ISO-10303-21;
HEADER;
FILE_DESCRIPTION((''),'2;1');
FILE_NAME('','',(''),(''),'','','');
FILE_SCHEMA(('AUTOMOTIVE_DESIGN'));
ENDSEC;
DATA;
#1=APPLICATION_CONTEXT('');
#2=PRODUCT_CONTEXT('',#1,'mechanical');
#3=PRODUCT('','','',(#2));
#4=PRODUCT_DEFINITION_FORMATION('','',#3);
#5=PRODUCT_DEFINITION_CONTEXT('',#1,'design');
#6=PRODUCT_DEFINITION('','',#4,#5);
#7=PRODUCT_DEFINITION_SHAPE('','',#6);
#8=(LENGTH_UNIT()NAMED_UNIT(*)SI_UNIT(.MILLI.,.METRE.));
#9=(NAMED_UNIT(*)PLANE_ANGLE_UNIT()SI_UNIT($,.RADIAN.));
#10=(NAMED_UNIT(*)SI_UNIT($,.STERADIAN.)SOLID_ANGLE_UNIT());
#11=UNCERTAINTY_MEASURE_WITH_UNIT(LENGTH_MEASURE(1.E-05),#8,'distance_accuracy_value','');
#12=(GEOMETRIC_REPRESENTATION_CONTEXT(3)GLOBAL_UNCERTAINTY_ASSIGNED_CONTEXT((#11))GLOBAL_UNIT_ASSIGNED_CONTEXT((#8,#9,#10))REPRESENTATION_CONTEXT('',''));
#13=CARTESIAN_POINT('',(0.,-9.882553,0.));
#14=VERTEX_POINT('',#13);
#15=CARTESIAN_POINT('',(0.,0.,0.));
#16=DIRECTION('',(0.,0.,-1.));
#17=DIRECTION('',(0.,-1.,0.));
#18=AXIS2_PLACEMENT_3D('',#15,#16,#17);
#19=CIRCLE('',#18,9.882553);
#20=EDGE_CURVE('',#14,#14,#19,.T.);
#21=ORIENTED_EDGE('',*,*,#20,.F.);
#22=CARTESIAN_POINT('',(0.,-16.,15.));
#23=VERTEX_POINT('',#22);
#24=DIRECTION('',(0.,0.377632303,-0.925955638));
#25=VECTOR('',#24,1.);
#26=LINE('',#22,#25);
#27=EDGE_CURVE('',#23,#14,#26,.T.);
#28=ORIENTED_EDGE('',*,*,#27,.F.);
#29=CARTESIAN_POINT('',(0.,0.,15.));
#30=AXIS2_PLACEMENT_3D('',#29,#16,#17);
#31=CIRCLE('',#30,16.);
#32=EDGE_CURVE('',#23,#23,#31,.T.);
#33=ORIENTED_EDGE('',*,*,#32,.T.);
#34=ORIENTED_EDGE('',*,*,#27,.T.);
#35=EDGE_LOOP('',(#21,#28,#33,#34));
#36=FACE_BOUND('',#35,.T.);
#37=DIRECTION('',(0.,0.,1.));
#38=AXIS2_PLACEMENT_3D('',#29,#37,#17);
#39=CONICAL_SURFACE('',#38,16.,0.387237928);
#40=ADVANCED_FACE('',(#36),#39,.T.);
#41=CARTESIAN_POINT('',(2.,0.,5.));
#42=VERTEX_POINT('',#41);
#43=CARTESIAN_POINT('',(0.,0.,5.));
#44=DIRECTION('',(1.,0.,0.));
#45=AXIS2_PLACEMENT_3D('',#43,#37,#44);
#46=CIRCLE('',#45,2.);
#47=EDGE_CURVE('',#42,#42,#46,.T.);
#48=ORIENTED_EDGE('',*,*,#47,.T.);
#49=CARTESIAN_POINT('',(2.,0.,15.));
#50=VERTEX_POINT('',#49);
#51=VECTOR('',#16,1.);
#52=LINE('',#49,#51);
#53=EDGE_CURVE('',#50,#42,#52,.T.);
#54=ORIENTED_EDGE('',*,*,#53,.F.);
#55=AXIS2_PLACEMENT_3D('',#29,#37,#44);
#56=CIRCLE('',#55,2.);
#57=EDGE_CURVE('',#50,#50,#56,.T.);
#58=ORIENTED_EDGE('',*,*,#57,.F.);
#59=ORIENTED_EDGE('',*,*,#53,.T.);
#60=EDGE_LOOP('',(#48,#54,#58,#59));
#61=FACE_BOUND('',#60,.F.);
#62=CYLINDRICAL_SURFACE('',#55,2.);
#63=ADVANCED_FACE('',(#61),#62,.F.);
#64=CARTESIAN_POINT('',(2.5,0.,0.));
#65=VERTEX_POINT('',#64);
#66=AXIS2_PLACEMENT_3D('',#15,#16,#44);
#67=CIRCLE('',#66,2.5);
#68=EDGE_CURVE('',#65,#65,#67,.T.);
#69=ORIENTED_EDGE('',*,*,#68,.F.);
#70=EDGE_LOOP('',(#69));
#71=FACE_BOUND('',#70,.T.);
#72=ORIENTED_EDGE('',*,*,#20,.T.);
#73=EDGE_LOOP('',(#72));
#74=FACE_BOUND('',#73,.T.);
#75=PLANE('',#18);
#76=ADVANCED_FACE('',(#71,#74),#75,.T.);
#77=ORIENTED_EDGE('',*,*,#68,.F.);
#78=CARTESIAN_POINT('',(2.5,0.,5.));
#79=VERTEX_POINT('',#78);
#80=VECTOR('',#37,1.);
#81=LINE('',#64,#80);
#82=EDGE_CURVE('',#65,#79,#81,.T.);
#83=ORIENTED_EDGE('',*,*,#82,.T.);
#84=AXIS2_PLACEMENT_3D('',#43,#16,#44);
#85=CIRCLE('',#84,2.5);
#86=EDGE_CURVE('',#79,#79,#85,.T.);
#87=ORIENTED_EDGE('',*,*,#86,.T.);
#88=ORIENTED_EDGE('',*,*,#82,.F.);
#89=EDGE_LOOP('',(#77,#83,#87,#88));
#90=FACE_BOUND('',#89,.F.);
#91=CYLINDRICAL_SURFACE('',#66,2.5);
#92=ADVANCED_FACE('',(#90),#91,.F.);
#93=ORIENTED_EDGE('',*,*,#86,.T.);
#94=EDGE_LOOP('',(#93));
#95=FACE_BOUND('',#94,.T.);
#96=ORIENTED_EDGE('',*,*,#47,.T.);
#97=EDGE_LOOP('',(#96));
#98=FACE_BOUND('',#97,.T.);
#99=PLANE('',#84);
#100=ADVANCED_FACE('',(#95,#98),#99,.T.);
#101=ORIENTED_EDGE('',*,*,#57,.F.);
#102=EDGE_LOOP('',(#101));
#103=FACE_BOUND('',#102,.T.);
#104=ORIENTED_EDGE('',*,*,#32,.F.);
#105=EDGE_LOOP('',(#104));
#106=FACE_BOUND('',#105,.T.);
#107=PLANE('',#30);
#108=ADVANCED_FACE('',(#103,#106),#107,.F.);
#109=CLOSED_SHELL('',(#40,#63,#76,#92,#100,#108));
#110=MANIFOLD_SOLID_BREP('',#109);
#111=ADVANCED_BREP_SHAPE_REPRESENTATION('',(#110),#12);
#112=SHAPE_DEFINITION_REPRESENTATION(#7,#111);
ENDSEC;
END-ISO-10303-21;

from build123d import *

# Parameters (mm, degrees)
F2_R     = 2.5
F3_DEPTH = 5
F4_R     = 2
F5_DEPTH = 25


with BuildPart() as f1:
    # F0 (on Right) → F1 (revolve)
    with BuildSketch(Plane.YZ):
        Polygon((-9.882553, 0), (0, 0), (0, 15), (-16, 15), align=None)
    revolve(axis=Axis((0, 0, 7.5), (0, 0, -1)))

    # F2 (on face) → F3 (cut)
    with BuildSketch(Plane(origin=(0, 0, 0), x_dir=(1, 0, 0), z_dir=(0, 0, -1))):
        Circle(F2_R)
    extrude(amount=-F3_DEPTH, mode=Mode.SUBTRACT)

    # F4 (on face) → F5 (cut)
    with BuildSketch(Plane.XY.offset(15)):
        Circle(F4_R)
    extrude(amount=-F5_DEPTH, mode=Mode.SUBTRACT)


solid = f1.part
